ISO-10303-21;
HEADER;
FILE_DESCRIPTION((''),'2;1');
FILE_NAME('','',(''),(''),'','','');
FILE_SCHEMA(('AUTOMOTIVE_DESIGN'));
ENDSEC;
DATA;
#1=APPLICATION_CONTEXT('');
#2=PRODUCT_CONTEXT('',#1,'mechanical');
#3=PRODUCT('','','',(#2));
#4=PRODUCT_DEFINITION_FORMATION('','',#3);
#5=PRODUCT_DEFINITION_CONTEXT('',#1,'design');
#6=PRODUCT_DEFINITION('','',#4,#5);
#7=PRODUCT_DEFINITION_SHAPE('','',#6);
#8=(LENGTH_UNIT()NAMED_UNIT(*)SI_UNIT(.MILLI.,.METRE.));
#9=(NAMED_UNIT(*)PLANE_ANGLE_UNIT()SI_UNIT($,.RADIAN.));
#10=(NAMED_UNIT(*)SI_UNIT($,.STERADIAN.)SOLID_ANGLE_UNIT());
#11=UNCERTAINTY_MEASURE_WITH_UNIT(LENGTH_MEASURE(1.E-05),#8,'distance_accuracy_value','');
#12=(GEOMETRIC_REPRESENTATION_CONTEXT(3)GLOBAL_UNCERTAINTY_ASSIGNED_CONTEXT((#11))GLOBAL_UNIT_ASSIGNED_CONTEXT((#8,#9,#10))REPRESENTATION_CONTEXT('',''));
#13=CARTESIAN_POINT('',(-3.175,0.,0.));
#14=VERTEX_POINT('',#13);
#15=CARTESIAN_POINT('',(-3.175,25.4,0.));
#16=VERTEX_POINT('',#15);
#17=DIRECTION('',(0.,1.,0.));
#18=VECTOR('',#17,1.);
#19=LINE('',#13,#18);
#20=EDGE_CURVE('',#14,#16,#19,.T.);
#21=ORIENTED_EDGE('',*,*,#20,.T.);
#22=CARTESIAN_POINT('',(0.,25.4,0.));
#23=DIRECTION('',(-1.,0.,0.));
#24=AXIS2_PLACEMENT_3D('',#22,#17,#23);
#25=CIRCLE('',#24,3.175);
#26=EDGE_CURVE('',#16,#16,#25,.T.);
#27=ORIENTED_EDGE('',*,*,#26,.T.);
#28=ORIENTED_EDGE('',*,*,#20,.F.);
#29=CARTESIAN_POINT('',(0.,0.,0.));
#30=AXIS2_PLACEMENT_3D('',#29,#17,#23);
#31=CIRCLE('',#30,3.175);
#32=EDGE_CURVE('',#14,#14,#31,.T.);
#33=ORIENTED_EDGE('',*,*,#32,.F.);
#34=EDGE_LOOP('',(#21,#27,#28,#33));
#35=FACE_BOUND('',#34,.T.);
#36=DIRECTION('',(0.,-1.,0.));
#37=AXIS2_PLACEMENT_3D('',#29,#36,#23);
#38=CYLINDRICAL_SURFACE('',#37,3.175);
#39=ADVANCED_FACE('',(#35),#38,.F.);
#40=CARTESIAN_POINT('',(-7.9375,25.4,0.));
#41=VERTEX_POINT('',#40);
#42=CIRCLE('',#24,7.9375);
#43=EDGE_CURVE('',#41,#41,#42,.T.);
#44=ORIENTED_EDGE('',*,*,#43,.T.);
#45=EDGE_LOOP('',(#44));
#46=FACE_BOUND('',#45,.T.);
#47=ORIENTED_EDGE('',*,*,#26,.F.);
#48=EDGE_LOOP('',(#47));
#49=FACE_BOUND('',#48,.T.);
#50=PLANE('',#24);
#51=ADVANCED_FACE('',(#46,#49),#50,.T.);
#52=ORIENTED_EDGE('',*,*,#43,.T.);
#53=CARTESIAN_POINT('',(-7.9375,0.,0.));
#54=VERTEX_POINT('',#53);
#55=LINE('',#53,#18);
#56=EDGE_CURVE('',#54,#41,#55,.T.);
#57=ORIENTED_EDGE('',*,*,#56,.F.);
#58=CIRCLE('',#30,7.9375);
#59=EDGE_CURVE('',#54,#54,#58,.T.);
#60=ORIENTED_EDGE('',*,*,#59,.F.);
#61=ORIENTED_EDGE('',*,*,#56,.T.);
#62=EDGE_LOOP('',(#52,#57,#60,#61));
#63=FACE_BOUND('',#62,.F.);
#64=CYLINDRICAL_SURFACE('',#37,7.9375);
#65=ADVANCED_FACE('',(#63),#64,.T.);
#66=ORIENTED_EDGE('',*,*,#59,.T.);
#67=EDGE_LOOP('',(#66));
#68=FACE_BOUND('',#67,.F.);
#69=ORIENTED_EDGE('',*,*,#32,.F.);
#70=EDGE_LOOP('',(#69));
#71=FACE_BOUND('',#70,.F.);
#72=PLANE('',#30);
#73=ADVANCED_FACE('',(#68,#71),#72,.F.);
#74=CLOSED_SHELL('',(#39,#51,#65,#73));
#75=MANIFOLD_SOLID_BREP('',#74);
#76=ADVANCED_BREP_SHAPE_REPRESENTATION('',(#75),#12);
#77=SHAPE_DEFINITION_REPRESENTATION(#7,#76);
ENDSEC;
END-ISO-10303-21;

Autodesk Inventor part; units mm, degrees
ref_plane "YZ Plane" through (0, 0, 0) normal (1, 0, 0) x (0, 1, 0)
ref_plane "XZ Plane" through (0, 0, 0) normal (0, 1, 0) x (-1, 0, 0)
ref_plane "XY Plane" through (0, 0, 0) normal (0, 0, 1) x (1, 0, 0)
sketch "Sketch2" plane through (0, 0, 0) normal (0, 1, 0) x (-1, 0, 0)
  circle A0 centre (0, 0) radius 3.175
  circle A1 centre (0, 0) radius 7.9375
  dimension "d0" = 15.875
  dimension "d1" = 6.35
extrude "Extrusion1" add sketch "Sketch2" along normal blind 25.4
properties part number "GearboxMountSpacer" material "Aluminum-6061"
